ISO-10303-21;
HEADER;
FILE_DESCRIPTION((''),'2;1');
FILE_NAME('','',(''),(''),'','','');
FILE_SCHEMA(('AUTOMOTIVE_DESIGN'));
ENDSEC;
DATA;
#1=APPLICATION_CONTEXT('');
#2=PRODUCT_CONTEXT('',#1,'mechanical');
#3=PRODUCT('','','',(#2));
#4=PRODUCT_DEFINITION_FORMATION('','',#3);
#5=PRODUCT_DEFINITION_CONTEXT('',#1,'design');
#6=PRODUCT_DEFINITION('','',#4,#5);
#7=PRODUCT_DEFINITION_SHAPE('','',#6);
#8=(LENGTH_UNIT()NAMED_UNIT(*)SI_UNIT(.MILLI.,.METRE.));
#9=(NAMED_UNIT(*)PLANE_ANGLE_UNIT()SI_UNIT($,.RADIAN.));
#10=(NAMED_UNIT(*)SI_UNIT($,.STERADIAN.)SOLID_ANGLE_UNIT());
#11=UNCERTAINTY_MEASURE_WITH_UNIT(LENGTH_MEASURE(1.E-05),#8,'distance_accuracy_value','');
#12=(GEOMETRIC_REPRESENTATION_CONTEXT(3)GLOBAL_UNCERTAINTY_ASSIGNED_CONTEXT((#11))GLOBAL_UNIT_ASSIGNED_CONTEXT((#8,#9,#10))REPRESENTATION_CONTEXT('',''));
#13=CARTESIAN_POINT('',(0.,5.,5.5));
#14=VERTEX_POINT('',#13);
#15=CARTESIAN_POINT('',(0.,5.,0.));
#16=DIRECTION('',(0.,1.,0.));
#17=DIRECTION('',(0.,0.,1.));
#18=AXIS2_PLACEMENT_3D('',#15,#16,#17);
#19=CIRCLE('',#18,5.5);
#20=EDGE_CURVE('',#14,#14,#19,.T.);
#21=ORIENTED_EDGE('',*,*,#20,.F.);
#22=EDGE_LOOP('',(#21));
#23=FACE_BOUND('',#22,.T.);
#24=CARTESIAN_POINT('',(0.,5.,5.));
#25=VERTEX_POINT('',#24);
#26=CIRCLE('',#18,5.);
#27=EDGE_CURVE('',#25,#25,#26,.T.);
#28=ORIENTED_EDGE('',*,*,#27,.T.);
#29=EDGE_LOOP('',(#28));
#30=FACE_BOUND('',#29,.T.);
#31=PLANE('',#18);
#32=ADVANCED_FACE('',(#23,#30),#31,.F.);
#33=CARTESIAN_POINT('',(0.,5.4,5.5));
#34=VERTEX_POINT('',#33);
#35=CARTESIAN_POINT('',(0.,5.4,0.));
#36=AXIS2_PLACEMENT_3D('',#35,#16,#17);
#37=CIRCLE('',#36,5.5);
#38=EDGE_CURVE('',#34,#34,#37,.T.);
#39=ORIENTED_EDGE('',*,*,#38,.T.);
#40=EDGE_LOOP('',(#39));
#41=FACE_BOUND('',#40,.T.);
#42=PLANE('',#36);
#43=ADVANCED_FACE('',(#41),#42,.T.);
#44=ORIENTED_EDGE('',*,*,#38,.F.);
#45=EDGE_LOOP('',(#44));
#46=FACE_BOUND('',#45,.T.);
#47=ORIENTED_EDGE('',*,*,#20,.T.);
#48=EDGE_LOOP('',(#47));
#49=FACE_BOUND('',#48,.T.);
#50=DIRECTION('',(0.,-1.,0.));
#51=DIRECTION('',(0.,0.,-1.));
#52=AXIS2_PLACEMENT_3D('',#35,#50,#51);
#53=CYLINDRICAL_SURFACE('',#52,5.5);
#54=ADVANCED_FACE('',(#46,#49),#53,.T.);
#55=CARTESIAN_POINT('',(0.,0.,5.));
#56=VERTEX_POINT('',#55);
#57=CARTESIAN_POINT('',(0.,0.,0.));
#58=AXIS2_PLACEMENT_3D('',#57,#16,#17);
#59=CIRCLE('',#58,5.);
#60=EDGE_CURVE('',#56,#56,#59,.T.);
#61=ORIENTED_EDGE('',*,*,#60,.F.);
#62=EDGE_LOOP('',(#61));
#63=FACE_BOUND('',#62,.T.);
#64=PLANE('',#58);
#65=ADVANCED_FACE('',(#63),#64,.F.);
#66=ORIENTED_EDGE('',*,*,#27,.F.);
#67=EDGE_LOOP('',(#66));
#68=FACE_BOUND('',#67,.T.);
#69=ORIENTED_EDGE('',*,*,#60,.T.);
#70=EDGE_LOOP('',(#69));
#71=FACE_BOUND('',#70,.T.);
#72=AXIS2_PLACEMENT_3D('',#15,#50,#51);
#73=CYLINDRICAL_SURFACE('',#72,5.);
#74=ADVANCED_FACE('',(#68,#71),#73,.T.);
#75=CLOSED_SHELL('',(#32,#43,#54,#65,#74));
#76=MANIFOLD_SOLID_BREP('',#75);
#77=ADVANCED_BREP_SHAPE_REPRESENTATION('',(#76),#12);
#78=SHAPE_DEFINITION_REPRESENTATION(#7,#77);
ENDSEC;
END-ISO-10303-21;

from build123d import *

# Parameters (mm, degrees)
SKETCH1_R           = 5
BOSS_EXTRUDE1_DEPTH = 5
SKETCH2_R           = 5.5
BOSS_EXTRUDE2_DEPTH = 0.4


with BuildPart() as part:
    # Sketch1 → Boss-Extrude1 (new body)
    with BuildSketch(Plane(origin=(0, 0, 0), x_dir=(1, 0, 0), z_dir=(0, 1, 0))):
        Circle(SKETCH1_R)
    extrude(amount=BOSS_EXTRUDE1_DEPTH)

    # Sketch2 → Boss-Extrude2 (add)
    with BuildSketch(Plane(origin=(0, 5, 0), x_dir=(1, 0, 0), z_dir=(0, 1, 0))):
        Circle(SKETCH2_R)
    extrude(amount=BOSS_EXTRUDE2_DEPTH)


solid = part.part
